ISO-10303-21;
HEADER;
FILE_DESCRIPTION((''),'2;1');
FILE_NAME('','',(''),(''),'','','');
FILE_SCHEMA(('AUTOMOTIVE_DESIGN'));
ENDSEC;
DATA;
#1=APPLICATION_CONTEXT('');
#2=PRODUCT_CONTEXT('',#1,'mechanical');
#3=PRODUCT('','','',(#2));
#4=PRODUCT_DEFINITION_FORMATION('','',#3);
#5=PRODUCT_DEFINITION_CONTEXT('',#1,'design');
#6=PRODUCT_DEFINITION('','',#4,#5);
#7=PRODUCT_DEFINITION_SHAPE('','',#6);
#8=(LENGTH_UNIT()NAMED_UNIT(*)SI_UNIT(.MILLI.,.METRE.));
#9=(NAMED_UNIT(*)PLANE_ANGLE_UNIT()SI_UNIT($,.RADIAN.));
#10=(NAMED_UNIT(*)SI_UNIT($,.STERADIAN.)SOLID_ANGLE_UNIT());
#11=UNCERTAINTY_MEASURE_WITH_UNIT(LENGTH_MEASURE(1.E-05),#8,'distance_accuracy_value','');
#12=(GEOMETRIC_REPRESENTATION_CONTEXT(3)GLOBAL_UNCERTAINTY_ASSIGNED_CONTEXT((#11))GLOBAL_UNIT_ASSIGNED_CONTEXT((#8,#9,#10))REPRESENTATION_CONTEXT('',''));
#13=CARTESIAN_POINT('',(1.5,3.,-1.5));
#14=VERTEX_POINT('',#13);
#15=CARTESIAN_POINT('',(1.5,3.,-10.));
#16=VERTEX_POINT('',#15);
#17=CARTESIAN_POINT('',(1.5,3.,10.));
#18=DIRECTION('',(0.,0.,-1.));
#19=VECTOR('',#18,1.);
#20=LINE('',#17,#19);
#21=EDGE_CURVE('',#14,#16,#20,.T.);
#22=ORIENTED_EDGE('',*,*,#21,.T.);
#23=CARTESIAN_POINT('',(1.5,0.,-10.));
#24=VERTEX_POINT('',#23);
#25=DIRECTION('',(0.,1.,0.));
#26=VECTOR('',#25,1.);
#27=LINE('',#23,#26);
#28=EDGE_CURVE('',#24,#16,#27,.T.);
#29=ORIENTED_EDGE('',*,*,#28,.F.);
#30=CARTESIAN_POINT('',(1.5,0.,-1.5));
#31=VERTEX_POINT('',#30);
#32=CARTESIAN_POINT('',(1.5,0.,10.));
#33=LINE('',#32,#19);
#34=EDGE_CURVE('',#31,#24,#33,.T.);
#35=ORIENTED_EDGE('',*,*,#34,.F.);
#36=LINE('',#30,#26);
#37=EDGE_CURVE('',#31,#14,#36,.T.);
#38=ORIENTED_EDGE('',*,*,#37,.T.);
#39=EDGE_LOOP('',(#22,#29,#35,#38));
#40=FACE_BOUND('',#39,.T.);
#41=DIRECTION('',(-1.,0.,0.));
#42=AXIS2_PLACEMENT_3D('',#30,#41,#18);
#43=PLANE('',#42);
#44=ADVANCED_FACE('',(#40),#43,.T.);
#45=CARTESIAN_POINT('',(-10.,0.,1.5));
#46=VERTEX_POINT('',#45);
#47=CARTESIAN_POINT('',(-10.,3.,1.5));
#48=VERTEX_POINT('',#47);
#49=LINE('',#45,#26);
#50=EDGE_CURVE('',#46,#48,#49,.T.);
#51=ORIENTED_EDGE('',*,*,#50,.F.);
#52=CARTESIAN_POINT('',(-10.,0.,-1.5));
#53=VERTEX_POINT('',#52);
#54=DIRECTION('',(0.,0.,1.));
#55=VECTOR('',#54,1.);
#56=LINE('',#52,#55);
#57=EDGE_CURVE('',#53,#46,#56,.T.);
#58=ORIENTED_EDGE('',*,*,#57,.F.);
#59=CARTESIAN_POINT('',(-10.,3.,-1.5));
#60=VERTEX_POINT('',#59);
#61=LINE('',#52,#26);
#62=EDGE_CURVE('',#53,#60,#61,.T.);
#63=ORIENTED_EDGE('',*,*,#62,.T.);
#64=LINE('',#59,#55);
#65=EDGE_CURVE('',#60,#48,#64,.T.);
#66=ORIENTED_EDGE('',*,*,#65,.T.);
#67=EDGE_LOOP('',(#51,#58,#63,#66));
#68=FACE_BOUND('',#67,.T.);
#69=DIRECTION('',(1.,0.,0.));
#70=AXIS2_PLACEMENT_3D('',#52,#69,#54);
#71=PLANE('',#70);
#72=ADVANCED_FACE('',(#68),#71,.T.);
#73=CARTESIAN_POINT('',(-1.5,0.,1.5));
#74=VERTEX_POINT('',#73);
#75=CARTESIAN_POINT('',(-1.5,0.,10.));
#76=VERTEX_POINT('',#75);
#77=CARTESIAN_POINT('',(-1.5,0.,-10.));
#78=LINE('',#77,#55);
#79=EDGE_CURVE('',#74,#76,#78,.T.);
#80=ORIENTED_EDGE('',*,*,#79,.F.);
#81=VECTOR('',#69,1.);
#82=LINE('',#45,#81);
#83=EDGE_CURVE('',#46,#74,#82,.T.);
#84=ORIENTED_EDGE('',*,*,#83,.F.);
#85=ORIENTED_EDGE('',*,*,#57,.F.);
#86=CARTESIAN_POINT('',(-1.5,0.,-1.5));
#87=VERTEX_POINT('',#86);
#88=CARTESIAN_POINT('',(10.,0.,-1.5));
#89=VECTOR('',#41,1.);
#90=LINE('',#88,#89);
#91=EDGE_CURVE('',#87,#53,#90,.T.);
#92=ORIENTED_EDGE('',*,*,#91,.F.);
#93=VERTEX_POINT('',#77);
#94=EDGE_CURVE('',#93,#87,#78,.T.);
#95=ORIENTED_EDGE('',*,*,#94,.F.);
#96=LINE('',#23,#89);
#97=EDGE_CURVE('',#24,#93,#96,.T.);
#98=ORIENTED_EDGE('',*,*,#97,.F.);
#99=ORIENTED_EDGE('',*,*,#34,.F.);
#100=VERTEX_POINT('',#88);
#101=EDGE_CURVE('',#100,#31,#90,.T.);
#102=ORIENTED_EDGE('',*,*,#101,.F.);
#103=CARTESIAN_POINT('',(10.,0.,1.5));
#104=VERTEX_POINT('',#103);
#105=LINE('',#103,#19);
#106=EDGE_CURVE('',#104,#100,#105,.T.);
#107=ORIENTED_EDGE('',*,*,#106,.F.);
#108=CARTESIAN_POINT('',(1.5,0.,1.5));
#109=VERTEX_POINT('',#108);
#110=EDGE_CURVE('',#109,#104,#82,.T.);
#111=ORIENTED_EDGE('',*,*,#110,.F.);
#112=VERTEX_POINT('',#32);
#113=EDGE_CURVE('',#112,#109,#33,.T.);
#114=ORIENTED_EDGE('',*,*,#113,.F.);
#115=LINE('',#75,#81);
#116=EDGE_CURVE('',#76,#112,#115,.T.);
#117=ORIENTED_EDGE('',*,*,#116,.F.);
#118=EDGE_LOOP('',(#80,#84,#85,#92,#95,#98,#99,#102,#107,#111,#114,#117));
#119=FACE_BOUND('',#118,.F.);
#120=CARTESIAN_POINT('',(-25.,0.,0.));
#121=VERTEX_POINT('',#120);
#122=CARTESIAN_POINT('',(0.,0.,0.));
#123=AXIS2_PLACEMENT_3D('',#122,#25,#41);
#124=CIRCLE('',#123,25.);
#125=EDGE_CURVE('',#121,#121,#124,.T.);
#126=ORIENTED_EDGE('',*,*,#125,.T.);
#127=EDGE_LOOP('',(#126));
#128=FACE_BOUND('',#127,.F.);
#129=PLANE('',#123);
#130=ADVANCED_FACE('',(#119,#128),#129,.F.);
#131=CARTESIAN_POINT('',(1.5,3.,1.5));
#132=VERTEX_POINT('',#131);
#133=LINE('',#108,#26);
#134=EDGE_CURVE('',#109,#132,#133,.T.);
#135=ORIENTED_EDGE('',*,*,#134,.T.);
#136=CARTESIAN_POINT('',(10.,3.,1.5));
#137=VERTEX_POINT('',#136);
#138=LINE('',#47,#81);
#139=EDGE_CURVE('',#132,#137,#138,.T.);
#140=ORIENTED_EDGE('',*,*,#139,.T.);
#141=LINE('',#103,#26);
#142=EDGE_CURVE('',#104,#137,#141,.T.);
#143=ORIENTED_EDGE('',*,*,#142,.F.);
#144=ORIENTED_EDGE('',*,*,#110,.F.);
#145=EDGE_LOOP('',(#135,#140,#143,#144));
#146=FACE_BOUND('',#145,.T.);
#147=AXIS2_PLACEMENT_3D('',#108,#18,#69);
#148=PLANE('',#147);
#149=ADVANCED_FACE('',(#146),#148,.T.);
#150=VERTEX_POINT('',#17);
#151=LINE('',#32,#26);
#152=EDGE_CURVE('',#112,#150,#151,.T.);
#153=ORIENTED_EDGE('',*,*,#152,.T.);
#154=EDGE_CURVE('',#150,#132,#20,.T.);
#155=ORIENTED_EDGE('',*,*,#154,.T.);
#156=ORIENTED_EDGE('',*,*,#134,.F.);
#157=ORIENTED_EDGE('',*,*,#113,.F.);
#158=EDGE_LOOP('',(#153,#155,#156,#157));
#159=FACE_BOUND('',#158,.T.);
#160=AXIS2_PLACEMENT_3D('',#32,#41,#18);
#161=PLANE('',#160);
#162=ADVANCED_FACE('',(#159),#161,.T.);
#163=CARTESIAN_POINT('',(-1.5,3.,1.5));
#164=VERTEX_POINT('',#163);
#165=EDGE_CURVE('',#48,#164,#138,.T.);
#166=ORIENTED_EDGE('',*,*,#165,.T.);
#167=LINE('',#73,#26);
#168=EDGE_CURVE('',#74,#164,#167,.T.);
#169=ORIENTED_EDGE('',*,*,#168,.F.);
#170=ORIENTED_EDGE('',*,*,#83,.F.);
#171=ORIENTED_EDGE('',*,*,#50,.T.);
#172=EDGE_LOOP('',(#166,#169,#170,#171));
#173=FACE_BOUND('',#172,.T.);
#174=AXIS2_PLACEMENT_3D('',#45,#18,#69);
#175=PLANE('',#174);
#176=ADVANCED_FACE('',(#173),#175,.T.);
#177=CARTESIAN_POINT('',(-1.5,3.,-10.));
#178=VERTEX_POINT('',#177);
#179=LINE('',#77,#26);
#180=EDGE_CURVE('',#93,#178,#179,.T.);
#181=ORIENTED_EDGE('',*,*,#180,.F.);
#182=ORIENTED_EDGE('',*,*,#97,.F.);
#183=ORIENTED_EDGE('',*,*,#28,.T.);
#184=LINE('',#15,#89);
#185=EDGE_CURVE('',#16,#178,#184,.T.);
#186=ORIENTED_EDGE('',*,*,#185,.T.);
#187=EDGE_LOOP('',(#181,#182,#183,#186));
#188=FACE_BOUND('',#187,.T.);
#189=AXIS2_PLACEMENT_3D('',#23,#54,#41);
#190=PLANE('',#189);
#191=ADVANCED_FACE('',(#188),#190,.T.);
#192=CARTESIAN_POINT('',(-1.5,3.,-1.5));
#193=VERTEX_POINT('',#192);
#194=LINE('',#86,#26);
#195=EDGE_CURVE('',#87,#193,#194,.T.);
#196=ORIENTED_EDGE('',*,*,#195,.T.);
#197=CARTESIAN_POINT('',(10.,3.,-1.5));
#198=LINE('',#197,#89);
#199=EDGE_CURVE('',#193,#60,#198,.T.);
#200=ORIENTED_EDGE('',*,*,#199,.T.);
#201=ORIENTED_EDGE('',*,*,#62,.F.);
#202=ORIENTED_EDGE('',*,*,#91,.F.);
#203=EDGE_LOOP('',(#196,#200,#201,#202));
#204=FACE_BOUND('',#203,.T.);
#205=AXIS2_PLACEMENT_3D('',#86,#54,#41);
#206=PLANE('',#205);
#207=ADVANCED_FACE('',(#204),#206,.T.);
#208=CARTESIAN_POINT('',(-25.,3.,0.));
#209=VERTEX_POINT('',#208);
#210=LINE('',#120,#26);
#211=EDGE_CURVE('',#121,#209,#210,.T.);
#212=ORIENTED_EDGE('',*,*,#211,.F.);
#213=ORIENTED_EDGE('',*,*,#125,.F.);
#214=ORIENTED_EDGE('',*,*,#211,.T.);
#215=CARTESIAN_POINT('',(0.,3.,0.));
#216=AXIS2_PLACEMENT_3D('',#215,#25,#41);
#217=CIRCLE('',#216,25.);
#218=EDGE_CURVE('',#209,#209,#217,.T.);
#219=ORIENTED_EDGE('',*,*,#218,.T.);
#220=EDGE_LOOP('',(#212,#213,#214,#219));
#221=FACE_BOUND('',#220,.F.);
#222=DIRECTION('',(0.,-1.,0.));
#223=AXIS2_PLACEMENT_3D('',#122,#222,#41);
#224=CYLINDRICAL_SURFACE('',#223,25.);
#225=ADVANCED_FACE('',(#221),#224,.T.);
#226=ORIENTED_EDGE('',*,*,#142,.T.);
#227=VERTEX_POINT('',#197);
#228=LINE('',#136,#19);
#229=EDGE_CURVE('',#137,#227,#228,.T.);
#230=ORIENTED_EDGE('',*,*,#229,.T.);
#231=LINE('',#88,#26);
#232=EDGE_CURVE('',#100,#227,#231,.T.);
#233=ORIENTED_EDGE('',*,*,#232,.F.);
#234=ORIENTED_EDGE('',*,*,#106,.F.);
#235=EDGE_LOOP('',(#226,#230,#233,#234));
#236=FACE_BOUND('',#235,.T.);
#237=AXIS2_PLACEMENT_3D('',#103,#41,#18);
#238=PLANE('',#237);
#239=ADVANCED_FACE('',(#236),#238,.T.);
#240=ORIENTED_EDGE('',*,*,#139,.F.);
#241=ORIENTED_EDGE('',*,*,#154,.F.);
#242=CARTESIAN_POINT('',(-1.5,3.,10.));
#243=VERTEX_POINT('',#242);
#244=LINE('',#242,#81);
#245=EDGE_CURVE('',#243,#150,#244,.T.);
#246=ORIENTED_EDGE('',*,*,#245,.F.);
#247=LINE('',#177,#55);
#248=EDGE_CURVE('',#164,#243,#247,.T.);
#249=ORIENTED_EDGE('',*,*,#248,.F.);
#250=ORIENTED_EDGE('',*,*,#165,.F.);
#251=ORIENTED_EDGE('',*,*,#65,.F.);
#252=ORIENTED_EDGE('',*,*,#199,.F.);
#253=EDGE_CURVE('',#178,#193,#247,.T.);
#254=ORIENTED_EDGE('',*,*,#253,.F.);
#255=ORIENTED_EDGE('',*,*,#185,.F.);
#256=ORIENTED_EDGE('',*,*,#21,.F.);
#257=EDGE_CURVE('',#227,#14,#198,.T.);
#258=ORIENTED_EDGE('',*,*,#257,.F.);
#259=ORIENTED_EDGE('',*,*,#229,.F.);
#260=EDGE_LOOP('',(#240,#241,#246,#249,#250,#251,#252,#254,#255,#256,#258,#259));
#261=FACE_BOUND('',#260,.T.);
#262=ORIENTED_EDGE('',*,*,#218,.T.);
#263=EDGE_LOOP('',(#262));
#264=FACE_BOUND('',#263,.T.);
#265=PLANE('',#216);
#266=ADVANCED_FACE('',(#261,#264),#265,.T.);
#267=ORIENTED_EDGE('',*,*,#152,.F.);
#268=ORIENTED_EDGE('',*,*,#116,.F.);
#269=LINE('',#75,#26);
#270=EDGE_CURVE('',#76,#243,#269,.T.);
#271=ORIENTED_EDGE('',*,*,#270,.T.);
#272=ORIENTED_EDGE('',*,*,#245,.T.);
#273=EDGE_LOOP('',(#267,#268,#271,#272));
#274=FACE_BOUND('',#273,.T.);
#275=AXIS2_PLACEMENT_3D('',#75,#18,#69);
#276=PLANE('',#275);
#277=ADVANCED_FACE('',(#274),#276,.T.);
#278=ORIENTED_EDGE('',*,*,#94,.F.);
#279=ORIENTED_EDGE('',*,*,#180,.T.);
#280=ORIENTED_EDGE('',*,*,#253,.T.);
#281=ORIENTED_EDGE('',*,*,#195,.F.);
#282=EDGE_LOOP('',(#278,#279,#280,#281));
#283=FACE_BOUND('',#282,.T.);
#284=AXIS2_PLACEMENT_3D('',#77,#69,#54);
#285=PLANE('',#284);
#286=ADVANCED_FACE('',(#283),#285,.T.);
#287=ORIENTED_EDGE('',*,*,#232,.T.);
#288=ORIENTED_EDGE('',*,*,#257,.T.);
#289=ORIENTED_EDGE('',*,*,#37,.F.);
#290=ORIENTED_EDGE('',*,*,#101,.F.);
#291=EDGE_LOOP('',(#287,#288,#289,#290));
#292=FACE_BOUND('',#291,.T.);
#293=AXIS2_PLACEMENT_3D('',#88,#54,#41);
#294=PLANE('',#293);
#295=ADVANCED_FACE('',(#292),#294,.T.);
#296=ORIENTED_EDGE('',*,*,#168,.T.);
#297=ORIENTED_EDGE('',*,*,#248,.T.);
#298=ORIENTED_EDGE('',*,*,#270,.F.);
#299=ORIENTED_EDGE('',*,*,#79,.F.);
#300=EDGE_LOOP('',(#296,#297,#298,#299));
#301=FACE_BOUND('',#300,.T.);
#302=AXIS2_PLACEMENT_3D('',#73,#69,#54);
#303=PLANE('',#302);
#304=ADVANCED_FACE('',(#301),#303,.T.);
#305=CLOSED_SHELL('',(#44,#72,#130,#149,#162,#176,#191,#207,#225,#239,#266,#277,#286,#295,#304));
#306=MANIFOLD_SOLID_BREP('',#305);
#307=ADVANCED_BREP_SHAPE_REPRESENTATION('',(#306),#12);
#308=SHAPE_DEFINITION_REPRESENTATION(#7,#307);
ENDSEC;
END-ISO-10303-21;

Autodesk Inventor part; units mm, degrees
ref_plane "YZ Plane" through (0, 0, 0) normal (1, 0, 0) x (0, 1, 0)
ref_plane "XZ Plane" through (0, 0, 0) normal (0, 1, 0) x (-1, 0, 0)
ref_plane "XY Plane" through (0, 0, 0) normal (0, 0, 1) x (1, 0, 0)
sketch "Sketch1" plane through (0, 0, 0) normal (0, 1, 0) x (-1, 0, 0)
  circle A0 centre (0, 0) radius 25
  line L0 (10, 1.5) -> (-10, 1.5)
  line L1 (-10, 1.5) -> (-10, -1.5)
  line L2 (-10, -1.5) -> (10, -1.5)
  line L3 (10, -1.5) -> (10, 1.5)
  line L4 (1.5, 10) -> (-1.5, 10)
  line L5 (-1.5, 10) -> (-1.5, -10)
  line L6 (-1.5, -10) -> (1.5, -10)
  line L7 (1.5, -10) -> (1.5, 10)
  point P0 (-1.5, 1.5)
  point P1 (1.5, 1.5)
  point P2 (1.5, -1.5)
  point P3 (-1.5, -1.5)
  dimension "d0" = 50
  dimension "d1" = 20
  dimension "d2" = 3
  dimension "d3" = 1.5
  dimension "d4" = 10
  dimension "d5" = 3
  dimension "d6" = 20
  dimension "d7" = 10
  dimension "d8" = 1.5
extrude "Extrusion1" add sketch "Sketch1" along normal blind 3
properties part number "Base Arvore"
